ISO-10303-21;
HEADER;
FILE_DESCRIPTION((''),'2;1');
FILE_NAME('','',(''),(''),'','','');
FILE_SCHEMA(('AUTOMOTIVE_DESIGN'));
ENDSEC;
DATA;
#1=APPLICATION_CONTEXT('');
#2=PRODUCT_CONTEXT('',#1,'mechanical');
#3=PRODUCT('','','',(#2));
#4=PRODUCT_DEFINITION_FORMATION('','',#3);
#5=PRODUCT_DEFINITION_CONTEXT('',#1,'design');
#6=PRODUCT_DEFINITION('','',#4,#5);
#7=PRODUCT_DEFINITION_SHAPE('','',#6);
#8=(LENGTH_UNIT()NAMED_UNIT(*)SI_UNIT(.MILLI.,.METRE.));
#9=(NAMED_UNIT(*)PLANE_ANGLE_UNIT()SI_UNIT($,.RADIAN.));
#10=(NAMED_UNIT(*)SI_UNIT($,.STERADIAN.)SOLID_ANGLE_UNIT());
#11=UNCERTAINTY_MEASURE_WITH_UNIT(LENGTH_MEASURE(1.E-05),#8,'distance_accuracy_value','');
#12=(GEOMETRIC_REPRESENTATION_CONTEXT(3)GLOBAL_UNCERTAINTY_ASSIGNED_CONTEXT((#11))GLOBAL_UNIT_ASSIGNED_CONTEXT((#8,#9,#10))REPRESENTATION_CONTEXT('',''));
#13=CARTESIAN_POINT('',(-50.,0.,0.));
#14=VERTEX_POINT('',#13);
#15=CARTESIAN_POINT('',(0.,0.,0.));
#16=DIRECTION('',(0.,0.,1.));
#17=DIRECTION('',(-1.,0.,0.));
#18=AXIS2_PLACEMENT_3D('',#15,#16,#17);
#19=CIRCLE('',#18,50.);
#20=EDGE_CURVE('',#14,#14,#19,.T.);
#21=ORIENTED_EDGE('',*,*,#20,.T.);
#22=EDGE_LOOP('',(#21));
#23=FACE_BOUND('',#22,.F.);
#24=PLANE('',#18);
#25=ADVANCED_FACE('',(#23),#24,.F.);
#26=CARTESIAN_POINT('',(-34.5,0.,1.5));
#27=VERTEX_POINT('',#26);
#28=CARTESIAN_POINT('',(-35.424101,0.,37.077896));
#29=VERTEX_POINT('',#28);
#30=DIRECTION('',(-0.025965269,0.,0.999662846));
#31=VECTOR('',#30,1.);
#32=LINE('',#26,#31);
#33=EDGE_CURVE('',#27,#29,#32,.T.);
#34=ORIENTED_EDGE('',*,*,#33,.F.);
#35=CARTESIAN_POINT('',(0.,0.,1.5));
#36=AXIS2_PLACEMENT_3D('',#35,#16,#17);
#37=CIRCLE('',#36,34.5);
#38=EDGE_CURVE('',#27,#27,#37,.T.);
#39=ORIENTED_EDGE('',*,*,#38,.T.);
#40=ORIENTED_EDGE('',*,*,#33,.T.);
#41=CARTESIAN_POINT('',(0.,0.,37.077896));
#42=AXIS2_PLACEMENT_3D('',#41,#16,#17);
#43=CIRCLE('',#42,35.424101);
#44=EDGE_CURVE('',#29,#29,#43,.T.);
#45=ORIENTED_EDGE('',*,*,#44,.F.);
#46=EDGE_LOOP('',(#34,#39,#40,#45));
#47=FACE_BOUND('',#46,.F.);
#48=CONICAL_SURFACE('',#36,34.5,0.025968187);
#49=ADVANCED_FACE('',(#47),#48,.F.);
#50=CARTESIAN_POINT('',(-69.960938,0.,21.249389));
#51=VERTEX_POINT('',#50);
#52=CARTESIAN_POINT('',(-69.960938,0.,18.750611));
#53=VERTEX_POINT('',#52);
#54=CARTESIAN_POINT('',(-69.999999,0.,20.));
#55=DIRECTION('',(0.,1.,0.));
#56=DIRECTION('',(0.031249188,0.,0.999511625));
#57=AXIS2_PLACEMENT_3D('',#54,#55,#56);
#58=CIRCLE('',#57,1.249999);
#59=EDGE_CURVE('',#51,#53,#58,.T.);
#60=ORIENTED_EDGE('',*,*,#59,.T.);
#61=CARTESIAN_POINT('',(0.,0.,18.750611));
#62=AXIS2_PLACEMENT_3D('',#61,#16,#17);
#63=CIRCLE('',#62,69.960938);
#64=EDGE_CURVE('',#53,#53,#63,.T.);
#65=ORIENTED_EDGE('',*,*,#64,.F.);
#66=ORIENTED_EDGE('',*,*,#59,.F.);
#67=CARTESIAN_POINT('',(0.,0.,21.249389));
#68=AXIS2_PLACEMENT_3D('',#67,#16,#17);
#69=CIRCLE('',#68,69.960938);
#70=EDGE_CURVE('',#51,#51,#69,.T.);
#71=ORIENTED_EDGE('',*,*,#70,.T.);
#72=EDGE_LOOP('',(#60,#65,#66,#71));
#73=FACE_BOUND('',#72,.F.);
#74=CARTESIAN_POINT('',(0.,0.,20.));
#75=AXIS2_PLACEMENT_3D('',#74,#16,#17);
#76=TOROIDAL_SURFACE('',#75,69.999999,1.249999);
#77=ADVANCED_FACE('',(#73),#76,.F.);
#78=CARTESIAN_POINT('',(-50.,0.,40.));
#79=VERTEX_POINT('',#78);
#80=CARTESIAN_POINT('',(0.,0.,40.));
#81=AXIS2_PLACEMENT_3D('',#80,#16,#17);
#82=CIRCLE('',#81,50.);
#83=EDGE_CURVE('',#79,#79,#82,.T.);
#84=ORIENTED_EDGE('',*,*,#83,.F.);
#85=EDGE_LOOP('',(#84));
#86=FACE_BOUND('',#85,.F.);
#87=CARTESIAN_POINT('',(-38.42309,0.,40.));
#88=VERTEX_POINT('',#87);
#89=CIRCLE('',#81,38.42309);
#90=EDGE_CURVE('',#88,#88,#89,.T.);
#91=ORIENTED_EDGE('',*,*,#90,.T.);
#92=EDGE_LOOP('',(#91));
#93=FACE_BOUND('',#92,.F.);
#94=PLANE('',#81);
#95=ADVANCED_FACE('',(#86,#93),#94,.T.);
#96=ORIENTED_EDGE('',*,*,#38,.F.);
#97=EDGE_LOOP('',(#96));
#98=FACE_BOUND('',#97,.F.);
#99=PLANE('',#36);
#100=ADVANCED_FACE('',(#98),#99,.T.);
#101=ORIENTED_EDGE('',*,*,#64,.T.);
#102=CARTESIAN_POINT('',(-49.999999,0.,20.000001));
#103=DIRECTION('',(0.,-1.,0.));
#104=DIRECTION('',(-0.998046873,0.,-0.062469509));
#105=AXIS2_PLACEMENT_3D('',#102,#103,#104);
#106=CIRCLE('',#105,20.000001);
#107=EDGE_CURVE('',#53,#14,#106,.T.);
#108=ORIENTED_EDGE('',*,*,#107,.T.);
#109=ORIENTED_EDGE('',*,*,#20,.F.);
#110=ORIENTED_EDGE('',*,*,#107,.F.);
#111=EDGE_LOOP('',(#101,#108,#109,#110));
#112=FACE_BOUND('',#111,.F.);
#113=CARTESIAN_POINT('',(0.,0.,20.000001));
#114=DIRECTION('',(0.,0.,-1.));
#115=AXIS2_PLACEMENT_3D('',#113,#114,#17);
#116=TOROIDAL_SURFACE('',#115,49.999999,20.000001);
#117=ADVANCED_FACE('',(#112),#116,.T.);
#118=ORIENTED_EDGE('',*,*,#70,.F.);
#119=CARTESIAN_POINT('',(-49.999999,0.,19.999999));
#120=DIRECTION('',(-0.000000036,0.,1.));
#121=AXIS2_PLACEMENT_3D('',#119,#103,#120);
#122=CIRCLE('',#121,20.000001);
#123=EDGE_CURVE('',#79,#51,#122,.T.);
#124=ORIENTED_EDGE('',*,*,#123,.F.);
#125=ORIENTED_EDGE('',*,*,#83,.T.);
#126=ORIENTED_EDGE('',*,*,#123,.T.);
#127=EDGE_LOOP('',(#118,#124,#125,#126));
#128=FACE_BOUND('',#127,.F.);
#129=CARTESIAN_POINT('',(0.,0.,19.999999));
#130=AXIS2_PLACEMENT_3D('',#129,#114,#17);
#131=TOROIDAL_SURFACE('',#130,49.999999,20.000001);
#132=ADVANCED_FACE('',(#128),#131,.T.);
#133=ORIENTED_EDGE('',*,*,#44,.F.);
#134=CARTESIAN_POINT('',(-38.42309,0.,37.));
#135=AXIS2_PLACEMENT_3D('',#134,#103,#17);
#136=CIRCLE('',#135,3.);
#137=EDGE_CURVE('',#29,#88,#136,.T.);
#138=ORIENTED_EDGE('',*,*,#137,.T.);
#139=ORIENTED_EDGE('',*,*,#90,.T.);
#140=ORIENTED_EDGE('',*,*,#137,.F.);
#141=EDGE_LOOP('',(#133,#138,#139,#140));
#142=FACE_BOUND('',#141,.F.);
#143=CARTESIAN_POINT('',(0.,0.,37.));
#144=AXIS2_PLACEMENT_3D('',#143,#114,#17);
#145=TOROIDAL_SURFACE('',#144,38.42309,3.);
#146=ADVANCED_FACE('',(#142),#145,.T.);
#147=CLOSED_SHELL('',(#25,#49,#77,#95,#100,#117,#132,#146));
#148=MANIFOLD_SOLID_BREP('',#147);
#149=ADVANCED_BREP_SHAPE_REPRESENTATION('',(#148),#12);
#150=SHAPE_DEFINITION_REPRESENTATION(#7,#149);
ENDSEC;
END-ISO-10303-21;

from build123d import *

# Parameters (mm, degrees)
F2_R = 3


with BuildPart() as f1:
    # F0 (on Front) → F1 (revolve)
    with BuildSketch(Plane.XZ):
        with BuildLine():
            Line((-50, 0), (0, 0))
            Line((0, 0), (0, 1.5))
            Line((0, 1.5), (-34.5, 1.5))
            Line((-34.5, 1.5), (-35.5, 40))
            Line((-35.5, 40), (-50, 40))
            ThreePointArc((-50, 40), (-63.693287, 34.57717), (-69.960938, 21.249389))
            ThreePointArc((-69.960938, 21.249389), (-68.75, 20), (-69.960938, 18.750611))
            ThreePointArc((-69.960938, 18.750611), (-63.693287, 5.42283), (-50, 0))
        make_face()
    revolve(axis=Axis((0, 0, 20), (0, 0, 1)))

    # F2
    f2_edges = [f1.edges().sort_by_distance(p)[0] for p in [
        (35.5, 0, 40),
    ]]
    fillet(f2_edges, radius=F2_R)


solid = f1.part
